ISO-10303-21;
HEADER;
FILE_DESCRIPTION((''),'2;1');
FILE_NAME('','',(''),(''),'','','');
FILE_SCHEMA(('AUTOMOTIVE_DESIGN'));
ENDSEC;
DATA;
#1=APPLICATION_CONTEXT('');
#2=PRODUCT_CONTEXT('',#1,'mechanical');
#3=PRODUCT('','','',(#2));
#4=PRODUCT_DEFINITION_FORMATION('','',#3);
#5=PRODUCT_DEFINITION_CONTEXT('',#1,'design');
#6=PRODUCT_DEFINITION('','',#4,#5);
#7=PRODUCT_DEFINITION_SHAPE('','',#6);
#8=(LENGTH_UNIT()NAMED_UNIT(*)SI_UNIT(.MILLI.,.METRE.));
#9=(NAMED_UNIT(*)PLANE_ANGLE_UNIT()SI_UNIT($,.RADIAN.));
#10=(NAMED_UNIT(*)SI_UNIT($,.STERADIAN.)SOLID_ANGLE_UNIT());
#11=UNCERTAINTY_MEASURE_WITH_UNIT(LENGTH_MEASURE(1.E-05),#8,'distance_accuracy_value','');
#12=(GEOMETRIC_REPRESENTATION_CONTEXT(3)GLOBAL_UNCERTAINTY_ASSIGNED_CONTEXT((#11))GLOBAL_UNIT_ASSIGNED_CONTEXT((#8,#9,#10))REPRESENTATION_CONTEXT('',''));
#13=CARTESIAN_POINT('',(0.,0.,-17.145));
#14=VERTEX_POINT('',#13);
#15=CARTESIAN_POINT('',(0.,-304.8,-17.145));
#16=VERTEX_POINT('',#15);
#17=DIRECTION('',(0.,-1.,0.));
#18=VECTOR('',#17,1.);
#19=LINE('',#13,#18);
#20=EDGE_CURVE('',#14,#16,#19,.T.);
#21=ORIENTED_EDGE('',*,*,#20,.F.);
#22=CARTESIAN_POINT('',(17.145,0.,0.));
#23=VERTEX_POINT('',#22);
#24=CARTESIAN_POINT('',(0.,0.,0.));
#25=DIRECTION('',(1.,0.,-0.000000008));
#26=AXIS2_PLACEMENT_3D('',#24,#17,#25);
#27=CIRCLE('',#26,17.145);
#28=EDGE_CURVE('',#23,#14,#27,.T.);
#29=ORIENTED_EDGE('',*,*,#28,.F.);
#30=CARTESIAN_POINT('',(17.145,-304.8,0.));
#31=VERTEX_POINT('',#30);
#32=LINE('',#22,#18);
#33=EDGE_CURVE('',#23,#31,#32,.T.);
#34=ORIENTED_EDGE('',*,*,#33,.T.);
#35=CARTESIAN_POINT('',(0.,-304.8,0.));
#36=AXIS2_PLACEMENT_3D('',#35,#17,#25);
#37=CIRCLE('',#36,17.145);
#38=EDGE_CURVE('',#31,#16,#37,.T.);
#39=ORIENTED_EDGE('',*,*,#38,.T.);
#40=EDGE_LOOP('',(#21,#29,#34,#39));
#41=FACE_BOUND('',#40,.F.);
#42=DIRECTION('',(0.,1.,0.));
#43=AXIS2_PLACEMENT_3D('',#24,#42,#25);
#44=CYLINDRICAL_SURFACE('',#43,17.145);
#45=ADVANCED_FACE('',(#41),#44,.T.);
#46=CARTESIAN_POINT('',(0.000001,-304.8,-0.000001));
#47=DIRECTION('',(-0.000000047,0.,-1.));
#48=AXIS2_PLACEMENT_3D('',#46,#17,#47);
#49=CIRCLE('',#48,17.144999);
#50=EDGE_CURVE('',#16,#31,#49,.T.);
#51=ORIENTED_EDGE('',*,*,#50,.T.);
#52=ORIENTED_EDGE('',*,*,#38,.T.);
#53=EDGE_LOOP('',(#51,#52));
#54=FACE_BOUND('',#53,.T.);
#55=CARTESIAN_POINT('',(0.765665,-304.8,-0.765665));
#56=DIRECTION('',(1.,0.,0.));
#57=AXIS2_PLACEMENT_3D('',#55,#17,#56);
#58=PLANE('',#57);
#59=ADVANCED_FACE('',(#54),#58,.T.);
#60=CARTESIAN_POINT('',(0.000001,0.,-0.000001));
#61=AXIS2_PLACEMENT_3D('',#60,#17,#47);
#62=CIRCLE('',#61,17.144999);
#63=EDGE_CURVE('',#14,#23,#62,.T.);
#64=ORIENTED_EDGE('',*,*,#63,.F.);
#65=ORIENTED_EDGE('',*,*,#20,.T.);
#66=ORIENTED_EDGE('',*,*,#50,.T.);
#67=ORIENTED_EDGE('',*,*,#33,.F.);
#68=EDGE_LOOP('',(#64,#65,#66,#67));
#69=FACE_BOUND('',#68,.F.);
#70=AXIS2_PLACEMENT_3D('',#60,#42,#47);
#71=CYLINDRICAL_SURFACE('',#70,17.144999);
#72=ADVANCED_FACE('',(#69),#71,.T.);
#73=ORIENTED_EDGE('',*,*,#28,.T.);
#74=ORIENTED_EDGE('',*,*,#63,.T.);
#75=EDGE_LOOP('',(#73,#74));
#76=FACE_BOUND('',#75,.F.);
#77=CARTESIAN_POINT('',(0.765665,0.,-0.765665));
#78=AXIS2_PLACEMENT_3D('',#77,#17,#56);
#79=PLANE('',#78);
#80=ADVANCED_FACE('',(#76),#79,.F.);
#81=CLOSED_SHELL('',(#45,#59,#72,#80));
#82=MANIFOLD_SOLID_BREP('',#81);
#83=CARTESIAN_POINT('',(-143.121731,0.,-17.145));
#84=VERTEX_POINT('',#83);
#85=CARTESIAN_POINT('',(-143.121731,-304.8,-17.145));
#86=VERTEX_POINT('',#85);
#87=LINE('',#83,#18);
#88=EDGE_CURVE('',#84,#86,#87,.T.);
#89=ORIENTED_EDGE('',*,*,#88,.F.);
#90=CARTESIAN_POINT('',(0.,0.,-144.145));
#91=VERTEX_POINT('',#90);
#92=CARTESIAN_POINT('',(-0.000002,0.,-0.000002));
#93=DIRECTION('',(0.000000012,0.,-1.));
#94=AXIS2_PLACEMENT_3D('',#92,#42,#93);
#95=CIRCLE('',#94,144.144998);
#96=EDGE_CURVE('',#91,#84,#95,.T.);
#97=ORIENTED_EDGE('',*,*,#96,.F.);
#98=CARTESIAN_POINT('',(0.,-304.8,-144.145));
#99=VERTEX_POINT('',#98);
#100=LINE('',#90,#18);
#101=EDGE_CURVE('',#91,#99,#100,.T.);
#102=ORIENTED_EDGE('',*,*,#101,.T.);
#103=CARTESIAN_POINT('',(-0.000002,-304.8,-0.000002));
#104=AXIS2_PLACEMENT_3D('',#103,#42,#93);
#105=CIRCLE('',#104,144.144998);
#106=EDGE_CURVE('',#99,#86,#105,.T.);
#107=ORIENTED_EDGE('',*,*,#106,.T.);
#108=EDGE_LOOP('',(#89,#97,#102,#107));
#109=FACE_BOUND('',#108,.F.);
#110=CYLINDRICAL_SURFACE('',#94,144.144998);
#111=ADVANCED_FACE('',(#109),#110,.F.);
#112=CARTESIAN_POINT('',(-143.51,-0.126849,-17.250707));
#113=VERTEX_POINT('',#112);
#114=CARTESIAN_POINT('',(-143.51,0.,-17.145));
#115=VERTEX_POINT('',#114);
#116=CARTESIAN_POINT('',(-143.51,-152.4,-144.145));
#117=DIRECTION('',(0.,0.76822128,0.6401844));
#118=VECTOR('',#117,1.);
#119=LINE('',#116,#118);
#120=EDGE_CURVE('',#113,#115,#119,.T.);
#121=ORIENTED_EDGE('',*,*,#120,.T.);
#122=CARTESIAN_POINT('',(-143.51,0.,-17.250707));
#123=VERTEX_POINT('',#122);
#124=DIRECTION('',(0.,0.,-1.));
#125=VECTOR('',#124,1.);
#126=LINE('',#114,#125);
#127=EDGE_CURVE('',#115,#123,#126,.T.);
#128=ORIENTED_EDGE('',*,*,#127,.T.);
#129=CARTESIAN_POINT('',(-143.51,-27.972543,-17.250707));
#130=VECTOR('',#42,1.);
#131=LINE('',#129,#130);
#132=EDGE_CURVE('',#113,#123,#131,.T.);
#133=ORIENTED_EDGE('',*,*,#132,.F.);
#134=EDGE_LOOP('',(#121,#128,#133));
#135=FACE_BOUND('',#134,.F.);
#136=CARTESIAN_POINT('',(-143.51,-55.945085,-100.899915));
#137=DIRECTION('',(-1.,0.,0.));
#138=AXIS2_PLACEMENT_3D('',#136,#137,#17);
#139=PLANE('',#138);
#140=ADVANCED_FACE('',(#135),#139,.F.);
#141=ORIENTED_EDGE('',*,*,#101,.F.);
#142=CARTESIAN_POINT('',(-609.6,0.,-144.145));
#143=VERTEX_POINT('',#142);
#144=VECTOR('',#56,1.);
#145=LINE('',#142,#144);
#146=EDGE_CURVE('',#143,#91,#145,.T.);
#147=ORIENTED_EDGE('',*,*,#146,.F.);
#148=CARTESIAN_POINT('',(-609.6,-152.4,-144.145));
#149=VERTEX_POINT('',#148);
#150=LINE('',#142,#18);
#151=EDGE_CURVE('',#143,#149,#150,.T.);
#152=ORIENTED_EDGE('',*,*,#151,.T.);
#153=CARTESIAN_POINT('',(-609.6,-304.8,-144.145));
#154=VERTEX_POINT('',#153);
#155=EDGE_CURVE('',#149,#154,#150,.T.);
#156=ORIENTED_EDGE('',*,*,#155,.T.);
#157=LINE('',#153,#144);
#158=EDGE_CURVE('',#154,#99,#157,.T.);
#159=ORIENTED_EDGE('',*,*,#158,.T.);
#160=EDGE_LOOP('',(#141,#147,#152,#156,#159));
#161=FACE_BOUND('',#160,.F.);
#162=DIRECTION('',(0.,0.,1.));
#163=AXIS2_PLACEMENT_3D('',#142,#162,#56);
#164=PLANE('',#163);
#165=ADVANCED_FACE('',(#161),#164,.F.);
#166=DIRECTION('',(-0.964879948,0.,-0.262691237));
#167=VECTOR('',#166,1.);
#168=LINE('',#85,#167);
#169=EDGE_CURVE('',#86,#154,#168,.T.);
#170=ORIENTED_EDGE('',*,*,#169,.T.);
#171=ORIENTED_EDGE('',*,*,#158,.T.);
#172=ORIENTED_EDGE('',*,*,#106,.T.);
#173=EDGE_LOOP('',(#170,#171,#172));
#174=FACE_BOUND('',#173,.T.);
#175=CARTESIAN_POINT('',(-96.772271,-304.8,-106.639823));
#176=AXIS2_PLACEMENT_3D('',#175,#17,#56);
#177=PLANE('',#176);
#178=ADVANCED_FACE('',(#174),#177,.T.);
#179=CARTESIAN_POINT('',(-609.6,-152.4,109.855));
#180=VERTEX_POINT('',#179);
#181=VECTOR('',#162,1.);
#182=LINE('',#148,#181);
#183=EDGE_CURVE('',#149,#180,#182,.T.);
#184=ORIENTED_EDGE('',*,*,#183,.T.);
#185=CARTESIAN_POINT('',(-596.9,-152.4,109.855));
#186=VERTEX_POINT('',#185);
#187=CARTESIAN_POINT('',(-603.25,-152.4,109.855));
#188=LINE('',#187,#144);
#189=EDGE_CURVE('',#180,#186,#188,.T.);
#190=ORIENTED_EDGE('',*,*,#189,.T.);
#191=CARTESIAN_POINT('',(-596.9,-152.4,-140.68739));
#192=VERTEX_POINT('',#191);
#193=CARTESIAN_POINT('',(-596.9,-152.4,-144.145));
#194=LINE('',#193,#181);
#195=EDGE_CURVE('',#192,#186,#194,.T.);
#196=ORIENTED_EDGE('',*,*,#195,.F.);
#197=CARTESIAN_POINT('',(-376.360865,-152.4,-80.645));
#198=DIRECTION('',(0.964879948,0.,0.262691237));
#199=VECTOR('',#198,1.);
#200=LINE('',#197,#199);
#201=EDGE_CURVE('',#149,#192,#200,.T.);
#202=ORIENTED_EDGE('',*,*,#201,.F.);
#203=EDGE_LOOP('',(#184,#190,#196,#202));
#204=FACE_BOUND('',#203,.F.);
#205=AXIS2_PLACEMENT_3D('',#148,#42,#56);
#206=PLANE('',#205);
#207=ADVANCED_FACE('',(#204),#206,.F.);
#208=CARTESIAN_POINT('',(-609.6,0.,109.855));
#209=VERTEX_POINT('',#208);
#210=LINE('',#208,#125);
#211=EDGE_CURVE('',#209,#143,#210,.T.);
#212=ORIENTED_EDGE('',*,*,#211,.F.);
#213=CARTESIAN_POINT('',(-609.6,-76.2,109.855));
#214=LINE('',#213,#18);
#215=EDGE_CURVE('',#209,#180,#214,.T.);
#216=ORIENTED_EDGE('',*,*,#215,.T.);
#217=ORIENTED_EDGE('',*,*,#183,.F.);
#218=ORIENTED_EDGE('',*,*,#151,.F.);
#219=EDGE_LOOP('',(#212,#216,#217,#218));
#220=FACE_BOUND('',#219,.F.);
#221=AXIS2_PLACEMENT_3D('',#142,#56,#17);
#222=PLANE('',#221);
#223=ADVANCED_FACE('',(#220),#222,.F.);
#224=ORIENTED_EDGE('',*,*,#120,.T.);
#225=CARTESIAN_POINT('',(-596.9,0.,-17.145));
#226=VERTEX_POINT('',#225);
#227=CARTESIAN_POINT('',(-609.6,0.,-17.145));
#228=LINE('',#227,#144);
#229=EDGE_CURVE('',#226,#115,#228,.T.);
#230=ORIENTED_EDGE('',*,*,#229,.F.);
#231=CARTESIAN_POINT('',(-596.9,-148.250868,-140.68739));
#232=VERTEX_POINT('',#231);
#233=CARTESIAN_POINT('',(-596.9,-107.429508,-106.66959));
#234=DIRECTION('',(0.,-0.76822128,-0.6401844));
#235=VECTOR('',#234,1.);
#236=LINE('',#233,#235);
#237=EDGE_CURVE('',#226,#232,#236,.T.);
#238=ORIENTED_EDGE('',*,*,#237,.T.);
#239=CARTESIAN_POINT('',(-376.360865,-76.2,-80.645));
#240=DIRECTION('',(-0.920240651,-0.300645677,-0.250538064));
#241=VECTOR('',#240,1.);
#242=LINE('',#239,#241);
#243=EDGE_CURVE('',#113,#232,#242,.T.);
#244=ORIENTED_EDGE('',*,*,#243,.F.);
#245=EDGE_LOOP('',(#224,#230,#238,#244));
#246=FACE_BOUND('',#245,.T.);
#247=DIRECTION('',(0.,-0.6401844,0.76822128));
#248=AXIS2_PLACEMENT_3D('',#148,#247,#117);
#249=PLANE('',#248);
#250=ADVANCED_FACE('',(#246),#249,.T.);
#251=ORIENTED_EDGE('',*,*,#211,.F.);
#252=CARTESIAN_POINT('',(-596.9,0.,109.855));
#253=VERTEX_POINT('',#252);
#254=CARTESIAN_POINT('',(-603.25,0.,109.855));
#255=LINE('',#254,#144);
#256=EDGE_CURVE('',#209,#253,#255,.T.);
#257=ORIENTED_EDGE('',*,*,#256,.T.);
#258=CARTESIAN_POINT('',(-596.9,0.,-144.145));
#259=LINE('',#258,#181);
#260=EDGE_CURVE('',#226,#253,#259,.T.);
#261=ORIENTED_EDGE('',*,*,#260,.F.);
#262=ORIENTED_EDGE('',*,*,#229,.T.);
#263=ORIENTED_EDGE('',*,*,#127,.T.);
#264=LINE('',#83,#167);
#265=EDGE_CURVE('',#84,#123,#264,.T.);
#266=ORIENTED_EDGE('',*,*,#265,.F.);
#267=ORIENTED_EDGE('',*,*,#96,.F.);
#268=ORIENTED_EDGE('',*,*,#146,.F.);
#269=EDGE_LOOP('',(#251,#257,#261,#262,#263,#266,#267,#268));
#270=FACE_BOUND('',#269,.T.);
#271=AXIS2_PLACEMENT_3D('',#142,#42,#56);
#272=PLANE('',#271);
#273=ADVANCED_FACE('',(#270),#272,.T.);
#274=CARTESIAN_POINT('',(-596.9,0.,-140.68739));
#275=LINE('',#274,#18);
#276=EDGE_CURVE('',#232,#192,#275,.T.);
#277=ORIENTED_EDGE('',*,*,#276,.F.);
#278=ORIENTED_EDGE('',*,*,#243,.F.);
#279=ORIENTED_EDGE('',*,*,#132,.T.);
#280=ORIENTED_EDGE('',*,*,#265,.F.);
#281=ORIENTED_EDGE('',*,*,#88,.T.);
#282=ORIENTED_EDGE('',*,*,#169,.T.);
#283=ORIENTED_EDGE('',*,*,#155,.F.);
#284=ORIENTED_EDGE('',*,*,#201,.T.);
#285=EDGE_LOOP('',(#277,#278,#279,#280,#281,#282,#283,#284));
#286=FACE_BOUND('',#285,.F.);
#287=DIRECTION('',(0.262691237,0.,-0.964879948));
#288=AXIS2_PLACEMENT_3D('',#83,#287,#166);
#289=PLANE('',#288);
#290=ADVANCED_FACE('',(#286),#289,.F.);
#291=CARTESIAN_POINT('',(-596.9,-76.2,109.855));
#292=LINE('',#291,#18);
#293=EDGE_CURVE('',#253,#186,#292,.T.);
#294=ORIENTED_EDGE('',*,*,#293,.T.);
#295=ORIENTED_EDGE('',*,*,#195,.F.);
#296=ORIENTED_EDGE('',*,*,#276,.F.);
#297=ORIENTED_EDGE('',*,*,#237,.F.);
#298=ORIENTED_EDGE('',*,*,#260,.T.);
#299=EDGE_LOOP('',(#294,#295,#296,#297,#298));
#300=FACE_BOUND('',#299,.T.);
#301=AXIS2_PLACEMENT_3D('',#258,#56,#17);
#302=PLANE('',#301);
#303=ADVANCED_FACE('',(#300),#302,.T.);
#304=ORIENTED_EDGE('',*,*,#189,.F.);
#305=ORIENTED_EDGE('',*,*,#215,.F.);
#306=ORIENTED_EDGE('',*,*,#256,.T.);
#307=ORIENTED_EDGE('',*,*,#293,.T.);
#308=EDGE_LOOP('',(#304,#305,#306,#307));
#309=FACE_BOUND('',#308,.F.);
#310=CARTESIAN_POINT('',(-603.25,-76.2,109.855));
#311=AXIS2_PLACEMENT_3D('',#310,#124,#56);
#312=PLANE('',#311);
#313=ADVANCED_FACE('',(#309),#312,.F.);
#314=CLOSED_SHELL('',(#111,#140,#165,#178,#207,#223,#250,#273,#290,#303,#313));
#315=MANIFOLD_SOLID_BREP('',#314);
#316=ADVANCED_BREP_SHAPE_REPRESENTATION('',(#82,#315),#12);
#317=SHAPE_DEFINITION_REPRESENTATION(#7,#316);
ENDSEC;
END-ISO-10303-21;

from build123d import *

# Parameters (mm, degrees)
F1_DEPTH = 304.8
F2_W     = 12.7
F2_H     = 152.4
F3_DEPTH = 254
F5_DEPTH = 466.09


with BuildPart() as f1:
    # F0 (on Front) → F1 (new body)
    with BuildSketch(Plane.XZ):
        with BuildLine():
            ThreePointArc((17.145, 0), (-12.123346, 12.123346), (0, -17.145))
            ThreePointArc((0, -17.145), (12.123346, -12.123346), (17.145, 0))
        make_face()
        with BuildLine():
            ThreePointArc((0, -144.145), (-95.672397, -107.817316), (-143.121731, -17.145))
            Line((-143.121731, -17.145), (-143.121731, -144.145))
            Line((-143.121731, -144.145), (0, -144.145))
        make_face()
        Polygon((-143.121731, -144.145), (-143.121731, -17.145), (-609.6, -144.145), align=None)
    extrude(amount=F1_DEPTH)

    # F2 (on face) → F3 (join)
    with BuildSketch(Plane(origin=(0, 0, -144.145), x_dir=(1, 0, 0), z_dir=(0, 0, -1))):
        with Locations((-603.25, 76.2)):
            Rectangle(F2_W, F2_H)
    extrude(amount=-F3_DEPTH)

    # F4 (on face) → F5 (join)
    with BuildSketch(Plane(origin=(-609.6, 0, 0), x_dir=(0, -1, 0), z_dir=(-1, 0, 0))):
        Polygon((152.4, -144.145), (0, -17.145), (0, -144.145), align=None)
    extrude(amount=-F5_DEPTH)


solid = f1.part
